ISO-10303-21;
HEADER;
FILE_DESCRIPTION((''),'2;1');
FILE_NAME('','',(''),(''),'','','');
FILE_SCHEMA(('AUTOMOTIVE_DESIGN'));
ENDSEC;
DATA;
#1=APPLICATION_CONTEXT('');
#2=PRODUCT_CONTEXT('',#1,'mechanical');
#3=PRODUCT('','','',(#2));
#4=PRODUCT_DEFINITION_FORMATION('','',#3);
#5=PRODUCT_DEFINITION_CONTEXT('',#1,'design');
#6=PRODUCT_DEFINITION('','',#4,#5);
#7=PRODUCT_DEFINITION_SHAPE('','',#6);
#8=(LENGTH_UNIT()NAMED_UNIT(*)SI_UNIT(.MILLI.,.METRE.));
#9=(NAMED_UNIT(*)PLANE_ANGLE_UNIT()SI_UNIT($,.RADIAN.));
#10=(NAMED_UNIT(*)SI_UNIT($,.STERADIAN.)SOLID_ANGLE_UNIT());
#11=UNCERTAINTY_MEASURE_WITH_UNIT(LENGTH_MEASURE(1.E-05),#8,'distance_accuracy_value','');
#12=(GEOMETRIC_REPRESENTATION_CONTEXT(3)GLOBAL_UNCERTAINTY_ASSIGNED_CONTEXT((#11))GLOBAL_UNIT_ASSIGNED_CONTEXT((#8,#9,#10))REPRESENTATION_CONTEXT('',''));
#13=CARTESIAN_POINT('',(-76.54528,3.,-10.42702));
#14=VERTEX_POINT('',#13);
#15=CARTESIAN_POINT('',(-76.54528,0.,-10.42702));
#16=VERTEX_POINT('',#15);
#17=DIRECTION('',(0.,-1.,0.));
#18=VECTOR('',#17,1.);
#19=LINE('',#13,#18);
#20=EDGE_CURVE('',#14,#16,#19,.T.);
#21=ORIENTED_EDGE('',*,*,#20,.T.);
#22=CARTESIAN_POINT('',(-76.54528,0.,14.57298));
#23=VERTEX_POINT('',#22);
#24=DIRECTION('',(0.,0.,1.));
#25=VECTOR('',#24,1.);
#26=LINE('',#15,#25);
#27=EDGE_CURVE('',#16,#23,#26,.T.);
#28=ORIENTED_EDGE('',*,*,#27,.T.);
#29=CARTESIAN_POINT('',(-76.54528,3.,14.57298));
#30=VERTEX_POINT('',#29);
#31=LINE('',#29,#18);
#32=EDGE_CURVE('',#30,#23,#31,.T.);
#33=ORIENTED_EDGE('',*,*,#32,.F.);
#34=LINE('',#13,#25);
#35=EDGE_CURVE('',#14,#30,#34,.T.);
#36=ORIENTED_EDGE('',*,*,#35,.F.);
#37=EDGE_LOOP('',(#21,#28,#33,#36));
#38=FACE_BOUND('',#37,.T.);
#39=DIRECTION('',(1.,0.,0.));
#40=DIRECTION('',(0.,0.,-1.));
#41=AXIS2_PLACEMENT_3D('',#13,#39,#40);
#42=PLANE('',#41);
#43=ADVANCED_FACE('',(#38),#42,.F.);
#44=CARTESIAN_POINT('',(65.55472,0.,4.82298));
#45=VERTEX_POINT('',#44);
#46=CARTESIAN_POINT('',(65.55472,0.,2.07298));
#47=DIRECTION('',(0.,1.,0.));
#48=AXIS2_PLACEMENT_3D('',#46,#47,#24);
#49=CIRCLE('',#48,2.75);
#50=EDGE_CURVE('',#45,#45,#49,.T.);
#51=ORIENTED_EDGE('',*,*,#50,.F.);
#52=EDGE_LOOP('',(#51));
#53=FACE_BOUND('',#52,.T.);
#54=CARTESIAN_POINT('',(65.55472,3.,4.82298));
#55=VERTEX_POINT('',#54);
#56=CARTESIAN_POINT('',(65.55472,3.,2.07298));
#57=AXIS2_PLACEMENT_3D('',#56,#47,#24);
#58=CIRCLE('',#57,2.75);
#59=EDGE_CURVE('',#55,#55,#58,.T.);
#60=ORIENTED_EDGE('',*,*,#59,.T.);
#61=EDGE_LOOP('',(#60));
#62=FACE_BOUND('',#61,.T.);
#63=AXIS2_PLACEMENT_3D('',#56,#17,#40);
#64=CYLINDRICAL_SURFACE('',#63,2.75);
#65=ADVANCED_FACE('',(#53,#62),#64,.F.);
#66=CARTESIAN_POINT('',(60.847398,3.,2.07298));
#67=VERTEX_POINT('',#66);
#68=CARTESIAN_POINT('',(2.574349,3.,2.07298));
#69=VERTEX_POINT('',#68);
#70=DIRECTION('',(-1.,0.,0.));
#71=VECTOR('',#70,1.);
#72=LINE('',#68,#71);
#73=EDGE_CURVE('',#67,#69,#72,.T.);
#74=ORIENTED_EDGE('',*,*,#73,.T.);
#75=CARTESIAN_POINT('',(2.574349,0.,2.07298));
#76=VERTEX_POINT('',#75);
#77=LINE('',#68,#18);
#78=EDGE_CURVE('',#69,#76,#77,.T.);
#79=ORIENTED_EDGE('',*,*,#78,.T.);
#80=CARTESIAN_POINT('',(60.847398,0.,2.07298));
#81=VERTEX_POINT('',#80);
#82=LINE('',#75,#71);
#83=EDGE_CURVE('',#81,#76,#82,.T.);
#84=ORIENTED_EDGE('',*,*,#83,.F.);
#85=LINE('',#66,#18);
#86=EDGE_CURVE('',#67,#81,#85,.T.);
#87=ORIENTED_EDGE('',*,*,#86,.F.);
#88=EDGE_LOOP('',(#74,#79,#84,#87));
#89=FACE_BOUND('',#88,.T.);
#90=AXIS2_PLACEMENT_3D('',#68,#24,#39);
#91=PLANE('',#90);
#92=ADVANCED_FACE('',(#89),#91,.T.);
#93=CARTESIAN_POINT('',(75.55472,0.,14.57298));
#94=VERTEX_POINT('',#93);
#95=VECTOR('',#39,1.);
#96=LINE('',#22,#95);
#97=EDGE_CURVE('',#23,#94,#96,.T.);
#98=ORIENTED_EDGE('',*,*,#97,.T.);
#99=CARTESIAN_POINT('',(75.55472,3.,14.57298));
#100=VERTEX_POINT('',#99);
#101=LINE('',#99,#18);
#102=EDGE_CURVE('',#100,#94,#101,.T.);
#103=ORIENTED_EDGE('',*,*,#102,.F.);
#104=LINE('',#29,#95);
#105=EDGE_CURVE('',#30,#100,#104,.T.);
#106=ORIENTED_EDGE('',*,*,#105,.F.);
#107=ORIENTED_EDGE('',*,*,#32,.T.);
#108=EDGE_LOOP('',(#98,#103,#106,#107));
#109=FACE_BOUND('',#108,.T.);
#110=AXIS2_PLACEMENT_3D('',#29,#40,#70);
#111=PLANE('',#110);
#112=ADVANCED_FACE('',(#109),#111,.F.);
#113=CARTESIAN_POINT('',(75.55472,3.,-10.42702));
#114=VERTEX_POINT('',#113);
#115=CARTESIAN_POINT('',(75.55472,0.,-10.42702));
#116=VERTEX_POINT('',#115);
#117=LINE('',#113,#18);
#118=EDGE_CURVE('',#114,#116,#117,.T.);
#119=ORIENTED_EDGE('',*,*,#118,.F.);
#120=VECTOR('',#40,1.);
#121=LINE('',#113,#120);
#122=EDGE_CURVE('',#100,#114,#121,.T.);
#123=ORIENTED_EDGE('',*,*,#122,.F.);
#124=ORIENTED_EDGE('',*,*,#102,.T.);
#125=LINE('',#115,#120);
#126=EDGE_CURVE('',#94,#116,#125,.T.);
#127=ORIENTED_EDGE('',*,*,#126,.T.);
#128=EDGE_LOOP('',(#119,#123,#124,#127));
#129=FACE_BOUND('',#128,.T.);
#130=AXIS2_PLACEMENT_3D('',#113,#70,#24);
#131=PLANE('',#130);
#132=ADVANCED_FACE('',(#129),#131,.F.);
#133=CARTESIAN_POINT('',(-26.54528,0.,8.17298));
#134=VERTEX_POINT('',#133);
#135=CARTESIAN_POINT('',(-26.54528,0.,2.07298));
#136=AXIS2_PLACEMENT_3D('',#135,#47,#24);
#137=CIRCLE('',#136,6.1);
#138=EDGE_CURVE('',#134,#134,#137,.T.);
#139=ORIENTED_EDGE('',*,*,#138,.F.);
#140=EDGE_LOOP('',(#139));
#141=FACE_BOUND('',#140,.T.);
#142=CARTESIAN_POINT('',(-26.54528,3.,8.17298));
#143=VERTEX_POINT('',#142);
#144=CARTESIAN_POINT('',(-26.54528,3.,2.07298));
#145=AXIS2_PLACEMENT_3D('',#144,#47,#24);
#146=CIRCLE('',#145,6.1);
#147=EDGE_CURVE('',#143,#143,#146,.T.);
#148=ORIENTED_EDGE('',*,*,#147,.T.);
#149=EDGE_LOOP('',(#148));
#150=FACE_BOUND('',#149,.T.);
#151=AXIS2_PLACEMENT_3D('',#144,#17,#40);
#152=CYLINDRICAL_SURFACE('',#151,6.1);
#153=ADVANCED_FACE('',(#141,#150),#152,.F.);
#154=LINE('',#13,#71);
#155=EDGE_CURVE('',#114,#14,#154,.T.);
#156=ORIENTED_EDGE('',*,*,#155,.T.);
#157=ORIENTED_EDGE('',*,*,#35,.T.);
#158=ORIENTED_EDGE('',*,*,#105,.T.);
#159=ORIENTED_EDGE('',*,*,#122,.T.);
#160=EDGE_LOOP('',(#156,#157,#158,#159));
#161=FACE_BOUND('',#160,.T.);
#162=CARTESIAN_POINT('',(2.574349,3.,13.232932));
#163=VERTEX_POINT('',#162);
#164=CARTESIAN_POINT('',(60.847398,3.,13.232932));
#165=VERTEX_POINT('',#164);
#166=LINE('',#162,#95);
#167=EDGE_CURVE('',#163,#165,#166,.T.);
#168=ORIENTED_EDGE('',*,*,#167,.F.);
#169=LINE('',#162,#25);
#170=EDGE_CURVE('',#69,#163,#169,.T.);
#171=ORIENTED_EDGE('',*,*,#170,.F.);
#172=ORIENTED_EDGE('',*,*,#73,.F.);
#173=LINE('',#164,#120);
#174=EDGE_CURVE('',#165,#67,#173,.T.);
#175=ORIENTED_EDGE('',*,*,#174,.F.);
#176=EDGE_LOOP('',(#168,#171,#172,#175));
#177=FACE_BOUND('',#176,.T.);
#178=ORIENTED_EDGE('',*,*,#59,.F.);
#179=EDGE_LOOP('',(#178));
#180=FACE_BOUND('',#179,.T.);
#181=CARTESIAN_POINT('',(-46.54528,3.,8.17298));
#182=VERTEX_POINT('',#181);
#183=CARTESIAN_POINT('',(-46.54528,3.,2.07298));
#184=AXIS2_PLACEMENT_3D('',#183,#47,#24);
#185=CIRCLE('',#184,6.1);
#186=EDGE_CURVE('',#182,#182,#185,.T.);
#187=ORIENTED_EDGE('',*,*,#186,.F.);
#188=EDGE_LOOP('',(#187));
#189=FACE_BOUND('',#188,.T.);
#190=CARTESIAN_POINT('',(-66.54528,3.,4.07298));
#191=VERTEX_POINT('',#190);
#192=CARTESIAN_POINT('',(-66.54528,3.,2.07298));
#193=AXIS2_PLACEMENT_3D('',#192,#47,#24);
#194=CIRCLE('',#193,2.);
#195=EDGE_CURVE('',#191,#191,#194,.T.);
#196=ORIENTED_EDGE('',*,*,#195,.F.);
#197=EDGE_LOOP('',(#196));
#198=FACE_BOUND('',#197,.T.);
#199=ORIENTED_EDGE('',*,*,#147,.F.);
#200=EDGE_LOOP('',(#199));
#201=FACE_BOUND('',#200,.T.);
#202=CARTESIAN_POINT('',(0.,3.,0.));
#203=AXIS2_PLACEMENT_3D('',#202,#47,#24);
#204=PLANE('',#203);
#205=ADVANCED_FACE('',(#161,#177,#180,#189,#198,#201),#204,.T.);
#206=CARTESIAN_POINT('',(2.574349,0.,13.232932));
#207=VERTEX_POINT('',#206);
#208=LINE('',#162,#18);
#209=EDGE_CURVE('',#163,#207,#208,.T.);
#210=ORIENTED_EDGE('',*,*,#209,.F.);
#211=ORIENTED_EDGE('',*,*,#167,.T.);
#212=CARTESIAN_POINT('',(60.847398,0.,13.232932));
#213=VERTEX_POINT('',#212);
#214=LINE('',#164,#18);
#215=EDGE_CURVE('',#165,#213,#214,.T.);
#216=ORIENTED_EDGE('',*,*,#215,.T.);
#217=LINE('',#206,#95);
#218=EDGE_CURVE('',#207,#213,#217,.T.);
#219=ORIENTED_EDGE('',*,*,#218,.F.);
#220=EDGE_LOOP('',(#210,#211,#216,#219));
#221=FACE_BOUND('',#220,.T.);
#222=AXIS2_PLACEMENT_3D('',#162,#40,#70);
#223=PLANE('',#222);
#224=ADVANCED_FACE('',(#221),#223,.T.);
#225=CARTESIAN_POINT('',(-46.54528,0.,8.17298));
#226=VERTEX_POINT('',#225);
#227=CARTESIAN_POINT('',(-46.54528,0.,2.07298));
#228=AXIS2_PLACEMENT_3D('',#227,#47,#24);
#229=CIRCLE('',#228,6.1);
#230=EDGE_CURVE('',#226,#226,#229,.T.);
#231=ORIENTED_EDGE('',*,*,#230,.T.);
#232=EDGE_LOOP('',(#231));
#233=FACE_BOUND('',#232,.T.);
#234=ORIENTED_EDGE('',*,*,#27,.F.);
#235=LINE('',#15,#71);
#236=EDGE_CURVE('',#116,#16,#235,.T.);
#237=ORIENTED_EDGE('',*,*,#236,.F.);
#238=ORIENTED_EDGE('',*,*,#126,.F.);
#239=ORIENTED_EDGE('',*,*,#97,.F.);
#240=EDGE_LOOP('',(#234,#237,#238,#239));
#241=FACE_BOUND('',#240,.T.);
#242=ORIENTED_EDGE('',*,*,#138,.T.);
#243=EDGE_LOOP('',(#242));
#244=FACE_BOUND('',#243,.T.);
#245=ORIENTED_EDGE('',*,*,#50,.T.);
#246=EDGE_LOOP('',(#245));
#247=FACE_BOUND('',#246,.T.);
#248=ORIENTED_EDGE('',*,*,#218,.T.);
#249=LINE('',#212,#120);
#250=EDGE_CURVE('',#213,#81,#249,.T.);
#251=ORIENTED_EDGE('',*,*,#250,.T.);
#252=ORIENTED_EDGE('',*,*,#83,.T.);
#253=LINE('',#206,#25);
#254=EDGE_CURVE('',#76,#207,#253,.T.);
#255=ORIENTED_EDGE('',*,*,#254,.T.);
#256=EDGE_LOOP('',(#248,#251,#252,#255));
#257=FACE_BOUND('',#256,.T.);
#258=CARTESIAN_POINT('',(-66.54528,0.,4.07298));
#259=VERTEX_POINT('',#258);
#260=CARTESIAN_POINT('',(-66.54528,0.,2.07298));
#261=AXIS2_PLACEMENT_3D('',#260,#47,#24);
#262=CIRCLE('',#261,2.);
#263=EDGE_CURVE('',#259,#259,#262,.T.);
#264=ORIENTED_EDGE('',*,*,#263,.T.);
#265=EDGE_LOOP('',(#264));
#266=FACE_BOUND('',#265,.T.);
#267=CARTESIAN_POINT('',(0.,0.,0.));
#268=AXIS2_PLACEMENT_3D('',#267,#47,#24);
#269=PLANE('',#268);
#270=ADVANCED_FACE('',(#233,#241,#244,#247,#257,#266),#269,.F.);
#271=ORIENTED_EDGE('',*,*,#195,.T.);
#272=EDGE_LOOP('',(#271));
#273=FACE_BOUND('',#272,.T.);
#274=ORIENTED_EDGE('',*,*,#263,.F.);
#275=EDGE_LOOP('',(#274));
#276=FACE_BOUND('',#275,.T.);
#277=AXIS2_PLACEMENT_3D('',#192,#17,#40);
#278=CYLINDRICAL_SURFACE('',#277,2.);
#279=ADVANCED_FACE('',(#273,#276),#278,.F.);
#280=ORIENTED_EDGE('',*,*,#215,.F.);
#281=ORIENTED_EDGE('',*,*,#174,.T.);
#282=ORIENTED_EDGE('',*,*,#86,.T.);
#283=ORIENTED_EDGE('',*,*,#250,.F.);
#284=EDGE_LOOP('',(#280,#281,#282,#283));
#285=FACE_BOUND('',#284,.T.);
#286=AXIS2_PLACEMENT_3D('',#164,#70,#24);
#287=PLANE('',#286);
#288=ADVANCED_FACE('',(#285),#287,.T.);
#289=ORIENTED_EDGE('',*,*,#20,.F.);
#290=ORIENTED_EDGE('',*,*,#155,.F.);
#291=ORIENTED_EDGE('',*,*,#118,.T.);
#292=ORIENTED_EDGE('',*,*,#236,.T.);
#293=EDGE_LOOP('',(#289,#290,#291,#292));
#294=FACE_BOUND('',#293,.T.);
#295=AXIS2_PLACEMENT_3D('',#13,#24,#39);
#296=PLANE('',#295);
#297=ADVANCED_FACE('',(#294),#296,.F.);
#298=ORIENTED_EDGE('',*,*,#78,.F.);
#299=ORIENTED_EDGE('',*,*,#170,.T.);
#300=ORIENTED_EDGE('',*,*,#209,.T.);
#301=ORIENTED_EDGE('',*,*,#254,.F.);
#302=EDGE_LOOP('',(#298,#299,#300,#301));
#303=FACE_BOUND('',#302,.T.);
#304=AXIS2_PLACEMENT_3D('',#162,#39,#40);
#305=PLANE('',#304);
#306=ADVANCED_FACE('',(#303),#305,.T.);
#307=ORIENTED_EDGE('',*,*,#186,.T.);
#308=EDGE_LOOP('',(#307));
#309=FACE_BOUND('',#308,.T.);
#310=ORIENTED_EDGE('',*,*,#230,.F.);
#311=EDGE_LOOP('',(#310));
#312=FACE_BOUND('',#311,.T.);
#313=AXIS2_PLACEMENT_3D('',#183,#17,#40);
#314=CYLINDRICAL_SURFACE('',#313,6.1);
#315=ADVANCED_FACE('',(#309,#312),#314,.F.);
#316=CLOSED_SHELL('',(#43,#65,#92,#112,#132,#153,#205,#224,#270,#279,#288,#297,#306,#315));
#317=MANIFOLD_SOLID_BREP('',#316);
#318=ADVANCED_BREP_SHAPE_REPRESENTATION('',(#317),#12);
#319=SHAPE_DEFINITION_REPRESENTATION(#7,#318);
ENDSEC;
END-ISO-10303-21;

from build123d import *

# Parameters (mm, degrees)
ESQUISSE1_W             = 152.1
ESQUISSE1_H             = 25
ESQUISSE1_R             = 2.75
ESQUISSE1_R_2           = 2
BOSS_EXTRU_1_DEPTH      = 3
ESQUISSE3_R             = 6.1
ESQUISSE3_W             = 58.273048821
ESQUISSE3_H             = 11.159952414
ENL_V_MAT_EXTRU_2_DEPTH = 78.977892392


with BuildPart() as part:
    # Esquisse1 → Boss.-Extru.1 (new body)
    with BuildSketch(Plane(origin=(0, 0, 0), x_dir=(1, 0, 0), z_dir=(0, 1, 0))):
        with Locations((-0.495280426, -2.072980011)):
            Rectangle(ESQUISSE1_W, ESQUISSE1_H)
        with Locations(Location((65.554719574, -2.072980011, 0), (0, 0, 270))):
            Circle(ESQUISSE1_R, mode=Mode.SUBTRACT)
        with Locations(Location((-66.545280426, -2.072980011, 0), (0, 0, 270))):
            Circle(ESQUISSE1_R_2, mode=Mode.SUBTRACT)
    extrude(amount=BOSS_EXTRU_1_DEPTH)

    # Esquisse3 → Enlèv. mat.-Extru.2 (cut, through all)
    with BuildSketch(Plane(origin=(0, 0, 0), x_dir=(1, 0, 0), z_dir=(0, 1, 0))):
        with Locations(Location((-46.545280426, -2.072980011, 0), (0, 0, 270))):
            Circle(ESQUISSE3_R)
        with Locations(Location((-26.545280426, -2.072980011, 0), (0, 0, 270))):
            Circle(ESQUISSE3_R)
        with Locations((31.710873838, -7.652956218)):
            Rectangle(ESQUISSE3_W, ESQUISSE3_H)
    extrude(amount=ENL_V_MAT_EXTRU_2_DEPTH, mode=Mode.SUBTRACT)


solid = part.part
